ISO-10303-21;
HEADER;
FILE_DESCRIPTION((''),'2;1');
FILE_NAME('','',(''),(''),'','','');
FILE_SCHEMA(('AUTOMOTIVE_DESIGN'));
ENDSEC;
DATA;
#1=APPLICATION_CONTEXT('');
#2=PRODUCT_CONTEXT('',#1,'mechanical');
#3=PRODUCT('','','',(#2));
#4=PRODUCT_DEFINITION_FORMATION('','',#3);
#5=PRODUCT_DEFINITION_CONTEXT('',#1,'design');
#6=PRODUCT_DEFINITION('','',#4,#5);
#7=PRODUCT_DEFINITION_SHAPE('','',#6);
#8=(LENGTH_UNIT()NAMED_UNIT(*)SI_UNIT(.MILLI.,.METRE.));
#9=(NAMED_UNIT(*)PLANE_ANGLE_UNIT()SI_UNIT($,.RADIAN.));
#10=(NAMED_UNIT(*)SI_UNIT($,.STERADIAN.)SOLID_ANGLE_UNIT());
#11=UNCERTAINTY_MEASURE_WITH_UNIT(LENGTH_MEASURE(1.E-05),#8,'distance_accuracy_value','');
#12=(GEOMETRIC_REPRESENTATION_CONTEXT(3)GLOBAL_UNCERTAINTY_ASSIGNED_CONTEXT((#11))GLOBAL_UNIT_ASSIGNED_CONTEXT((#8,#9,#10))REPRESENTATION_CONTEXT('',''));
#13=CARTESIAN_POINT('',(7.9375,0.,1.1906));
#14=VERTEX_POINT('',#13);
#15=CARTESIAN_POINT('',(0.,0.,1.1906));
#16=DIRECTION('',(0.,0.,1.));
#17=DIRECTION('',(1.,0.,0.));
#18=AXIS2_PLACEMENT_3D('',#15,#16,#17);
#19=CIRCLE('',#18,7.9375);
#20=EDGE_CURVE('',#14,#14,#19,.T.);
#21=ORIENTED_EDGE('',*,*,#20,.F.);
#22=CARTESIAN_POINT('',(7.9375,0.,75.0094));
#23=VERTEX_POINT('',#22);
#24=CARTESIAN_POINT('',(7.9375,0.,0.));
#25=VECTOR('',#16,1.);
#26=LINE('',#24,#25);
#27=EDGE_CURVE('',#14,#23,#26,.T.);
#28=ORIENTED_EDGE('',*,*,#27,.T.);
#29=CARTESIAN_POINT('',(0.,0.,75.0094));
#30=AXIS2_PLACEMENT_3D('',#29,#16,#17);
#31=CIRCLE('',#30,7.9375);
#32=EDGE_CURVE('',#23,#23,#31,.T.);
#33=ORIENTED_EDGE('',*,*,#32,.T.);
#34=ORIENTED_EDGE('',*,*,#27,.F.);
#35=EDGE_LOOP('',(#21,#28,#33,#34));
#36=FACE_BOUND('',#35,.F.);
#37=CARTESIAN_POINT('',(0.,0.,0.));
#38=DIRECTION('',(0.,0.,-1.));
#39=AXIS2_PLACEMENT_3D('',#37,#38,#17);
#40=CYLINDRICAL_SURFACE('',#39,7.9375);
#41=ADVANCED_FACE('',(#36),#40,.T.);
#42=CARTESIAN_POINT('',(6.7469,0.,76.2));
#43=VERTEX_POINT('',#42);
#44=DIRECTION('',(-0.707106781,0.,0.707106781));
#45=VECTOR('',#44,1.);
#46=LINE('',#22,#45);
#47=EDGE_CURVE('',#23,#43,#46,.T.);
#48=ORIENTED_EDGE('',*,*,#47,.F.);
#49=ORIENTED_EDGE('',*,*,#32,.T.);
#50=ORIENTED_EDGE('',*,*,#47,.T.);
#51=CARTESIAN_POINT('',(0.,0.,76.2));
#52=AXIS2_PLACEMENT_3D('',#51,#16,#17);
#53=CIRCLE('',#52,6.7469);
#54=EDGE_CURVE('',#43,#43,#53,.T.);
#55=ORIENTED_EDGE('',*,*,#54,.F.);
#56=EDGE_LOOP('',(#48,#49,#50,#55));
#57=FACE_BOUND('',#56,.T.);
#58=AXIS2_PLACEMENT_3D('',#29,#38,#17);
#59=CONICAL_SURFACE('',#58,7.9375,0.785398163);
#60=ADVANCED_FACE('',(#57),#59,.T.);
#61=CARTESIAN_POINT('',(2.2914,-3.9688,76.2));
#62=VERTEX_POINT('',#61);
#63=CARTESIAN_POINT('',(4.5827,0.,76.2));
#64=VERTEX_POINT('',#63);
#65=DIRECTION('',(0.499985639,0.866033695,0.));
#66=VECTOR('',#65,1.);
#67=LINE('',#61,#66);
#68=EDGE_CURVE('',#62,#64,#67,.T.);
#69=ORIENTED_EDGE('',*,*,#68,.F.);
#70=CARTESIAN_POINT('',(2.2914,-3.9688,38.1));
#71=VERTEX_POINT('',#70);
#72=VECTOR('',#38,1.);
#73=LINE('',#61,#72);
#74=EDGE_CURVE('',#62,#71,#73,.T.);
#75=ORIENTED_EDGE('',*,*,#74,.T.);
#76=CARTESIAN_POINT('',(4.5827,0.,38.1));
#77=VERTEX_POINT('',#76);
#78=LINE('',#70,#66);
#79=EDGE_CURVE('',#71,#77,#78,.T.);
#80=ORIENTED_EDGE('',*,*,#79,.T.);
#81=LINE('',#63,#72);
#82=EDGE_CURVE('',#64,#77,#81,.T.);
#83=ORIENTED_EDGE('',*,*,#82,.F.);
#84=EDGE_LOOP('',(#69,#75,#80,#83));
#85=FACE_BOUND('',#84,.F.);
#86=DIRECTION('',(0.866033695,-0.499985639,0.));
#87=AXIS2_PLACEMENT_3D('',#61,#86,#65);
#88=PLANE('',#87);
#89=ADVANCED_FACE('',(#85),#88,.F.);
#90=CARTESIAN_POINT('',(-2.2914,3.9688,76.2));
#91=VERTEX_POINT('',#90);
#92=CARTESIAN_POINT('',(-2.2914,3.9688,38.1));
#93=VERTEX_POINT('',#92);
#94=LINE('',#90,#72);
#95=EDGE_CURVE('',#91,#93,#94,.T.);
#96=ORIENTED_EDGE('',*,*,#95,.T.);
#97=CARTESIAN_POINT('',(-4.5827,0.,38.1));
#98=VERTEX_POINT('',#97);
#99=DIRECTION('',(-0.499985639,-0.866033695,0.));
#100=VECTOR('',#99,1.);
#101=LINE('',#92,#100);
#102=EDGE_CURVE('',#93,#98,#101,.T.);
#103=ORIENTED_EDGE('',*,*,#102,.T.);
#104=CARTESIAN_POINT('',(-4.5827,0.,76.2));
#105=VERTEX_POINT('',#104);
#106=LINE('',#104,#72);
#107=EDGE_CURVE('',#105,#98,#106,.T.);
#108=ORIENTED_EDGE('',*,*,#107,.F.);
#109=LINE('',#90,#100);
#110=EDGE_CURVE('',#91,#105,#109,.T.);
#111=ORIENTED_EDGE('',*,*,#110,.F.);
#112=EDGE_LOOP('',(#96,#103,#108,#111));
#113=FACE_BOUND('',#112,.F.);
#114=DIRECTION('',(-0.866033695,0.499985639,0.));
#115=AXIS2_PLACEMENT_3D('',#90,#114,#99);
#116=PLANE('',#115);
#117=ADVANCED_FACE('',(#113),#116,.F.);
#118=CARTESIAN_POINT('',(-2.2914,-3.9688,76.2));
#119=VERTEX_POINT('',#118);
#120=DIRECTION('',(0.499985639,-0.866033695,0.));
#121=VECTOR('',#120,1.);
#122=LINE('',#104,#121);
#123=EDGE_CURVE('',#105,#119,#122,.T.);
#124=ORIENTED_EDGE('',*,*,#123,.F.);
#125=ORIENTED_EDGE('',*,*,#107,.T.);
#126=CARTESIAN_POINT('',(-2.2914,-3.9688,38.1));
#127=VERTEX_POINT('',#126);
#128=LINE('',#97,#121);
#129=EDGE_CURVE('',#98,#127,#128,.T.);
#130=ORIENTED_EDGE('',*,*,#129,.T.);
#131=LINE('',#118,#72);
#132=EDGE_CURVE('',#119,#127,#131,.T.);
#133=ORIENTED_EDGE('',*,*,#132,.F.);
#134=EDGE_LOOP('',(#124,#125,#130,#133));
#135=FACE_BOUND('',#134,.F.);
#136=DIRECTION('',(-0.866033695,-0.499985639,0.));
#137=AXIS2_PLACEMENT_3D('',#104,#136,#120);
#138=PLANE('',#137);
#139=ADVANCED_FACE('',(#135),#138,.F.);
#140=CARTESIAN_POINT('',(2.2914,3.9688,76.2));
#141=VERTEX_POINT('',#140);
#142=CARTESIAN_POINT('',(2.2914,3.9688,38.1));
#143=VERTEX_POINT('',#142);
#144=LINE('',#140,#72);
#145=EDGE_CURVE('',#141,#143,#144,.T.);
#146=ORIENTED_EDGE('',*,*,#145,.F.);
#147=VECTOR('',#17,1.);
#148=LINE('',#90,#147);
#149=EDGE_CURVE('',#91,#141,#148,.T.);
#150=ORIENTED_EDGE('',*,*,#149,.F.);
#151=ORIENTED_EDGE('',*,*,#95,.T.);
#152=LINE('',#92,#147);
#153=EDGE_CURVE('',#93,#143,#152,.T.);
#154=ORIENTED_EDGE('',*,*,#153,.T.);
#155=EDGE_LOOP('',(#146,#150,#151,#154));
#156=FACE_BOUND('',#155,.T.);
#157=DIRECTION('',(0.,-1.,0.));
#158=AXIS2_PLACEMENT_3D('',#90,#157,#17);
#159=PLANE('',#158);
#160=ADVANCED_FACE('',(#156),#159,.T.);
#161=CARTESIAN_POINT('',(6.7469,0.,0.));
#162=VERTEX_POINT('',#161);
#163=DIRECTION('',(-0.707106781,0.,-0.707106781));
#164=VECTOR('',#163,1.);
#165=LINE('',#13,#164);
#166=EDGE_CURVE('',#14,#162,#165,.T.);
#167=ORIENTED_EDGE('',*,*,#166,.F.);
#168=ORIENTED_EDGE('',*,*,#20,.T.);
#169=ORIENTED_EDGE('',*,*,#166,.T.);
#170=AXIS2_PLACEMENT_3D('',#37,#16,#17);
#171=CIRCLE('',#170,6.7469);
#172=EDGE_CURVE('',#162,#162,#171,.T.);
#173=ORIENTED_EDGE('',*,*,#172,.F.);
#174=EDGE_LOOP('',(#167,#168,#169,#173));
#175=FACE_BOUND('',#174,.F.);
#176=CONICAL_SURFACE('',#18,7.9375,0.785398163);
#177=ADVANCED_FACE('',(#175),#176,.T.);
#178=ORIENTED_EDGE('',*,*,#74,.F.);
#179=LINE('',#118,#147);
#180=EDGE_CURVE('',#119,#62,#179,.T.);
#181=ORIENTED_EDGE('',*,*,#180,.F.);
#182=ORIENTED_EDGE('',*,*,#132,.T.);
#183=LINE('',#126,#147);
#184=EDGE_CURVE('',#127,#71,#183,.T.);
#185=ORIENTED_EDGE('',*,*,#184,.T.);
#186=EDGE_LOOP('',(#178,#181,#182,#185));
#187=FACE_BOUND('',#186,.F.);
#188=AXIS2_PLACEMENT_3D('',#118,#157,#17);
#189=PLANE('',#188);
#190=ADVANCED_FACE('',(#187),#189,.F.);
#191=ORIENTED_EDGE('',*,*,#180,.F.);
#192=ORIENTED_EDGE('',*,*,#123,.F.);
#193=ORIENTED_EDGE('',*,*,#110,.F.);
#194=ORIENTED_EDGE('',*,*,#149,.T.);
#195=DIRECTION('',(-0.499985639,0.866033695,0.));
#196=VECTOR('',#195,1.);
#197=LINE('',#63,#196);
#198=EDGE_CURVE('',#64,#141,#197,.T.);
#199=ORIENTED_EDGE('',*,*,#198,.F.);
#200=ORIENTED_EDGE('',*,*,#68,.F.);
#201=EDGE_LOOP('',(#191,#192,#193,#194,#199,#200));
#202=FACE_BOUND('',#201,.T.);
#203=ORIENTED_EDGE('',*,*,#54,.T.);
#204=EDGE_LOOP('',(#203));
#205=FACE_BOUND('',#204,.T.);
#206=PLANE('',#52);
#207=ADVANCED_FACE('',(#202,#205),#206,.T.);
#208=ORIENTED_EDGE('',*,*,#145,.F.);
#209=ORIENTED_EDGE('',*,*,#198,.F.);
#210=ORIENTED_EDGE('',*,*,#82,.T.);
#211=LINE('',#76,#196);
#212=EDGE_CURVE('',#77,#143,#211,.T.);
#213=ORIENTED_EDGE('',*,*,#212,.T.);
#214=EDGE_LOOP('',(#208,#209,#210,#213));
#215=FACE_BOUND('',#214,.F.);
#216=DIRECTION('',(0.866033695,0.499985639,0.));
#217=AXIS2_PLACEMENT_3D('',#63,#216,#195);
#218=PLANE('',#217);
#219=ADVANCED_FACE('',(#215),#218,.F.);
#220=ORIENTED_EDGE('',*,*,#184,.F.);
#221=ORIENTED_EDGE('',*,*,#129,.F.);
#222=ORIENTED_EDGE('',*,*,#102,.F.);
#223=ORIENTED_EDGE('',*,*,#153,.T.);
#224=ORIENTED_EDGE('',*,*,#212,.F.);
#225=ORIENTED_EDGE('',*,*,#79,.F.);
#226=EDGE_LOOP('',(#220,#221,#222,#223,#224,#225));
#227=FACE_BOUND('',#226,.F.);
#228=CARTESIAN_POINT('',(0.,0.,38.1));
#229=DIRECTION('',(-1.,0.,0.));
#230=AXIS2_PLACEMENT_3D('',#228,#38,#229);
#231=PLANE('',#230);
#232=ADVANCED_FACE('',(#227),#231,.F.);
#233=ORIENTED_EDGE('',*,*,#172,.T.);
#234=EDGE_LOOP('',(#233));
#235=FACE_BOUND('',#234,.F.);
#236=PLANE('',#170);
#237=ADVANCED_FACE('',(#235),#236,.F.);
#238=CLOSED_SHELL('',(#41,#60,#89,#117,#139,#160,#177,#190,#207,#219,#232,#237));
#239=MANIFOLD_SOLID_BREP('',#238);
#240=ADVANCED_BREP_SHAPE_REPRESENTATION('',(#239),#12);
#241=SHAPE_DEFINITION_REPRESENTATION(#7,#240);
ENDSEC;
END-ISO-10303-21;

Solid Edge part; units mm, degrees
sketch "Sketch1" plane through (0, 0, 0) normal (0, 0, 1) x (1, 0, 0)
  circle A0 centre (0, 0) radius 7.9375
  dimension "D1" = 15.875
extrude "Protrusion1" add sketch "Sketch1" along normal blind 76.2
chamfer "Chamfer1" distance 1.1906 angle 45 2 edges at (-7.9375, 0, 0) (-7.9375, 0, 76.2)
sketch "Sketch2" plane through (0, 0, 76.2) normal (0, 0, 1) x (1, 0, 0)
  line L0 (-2.2914, 3.9688) -> (2.2914, 3.9688)
  line L1 (4.5827, 0) -> (2.2914, 3.9687)
  line L2 (2.2914, -3.9688) -> (4.5827, 0)
  line L3 (-2.2914, -3.9688) -> (2.2914, -3.9688)
  line L4 (-4.5827, 0) -> (-2.2914, -3.9688)
  line L5 (-2.2914, 3.9687) -> (-4.5827, 0)
  dimension "D1" = 7.9375
extrude "Cutout1" cut sketch "Sketch2" against normal blind 38.1
properties part number "24106841"
